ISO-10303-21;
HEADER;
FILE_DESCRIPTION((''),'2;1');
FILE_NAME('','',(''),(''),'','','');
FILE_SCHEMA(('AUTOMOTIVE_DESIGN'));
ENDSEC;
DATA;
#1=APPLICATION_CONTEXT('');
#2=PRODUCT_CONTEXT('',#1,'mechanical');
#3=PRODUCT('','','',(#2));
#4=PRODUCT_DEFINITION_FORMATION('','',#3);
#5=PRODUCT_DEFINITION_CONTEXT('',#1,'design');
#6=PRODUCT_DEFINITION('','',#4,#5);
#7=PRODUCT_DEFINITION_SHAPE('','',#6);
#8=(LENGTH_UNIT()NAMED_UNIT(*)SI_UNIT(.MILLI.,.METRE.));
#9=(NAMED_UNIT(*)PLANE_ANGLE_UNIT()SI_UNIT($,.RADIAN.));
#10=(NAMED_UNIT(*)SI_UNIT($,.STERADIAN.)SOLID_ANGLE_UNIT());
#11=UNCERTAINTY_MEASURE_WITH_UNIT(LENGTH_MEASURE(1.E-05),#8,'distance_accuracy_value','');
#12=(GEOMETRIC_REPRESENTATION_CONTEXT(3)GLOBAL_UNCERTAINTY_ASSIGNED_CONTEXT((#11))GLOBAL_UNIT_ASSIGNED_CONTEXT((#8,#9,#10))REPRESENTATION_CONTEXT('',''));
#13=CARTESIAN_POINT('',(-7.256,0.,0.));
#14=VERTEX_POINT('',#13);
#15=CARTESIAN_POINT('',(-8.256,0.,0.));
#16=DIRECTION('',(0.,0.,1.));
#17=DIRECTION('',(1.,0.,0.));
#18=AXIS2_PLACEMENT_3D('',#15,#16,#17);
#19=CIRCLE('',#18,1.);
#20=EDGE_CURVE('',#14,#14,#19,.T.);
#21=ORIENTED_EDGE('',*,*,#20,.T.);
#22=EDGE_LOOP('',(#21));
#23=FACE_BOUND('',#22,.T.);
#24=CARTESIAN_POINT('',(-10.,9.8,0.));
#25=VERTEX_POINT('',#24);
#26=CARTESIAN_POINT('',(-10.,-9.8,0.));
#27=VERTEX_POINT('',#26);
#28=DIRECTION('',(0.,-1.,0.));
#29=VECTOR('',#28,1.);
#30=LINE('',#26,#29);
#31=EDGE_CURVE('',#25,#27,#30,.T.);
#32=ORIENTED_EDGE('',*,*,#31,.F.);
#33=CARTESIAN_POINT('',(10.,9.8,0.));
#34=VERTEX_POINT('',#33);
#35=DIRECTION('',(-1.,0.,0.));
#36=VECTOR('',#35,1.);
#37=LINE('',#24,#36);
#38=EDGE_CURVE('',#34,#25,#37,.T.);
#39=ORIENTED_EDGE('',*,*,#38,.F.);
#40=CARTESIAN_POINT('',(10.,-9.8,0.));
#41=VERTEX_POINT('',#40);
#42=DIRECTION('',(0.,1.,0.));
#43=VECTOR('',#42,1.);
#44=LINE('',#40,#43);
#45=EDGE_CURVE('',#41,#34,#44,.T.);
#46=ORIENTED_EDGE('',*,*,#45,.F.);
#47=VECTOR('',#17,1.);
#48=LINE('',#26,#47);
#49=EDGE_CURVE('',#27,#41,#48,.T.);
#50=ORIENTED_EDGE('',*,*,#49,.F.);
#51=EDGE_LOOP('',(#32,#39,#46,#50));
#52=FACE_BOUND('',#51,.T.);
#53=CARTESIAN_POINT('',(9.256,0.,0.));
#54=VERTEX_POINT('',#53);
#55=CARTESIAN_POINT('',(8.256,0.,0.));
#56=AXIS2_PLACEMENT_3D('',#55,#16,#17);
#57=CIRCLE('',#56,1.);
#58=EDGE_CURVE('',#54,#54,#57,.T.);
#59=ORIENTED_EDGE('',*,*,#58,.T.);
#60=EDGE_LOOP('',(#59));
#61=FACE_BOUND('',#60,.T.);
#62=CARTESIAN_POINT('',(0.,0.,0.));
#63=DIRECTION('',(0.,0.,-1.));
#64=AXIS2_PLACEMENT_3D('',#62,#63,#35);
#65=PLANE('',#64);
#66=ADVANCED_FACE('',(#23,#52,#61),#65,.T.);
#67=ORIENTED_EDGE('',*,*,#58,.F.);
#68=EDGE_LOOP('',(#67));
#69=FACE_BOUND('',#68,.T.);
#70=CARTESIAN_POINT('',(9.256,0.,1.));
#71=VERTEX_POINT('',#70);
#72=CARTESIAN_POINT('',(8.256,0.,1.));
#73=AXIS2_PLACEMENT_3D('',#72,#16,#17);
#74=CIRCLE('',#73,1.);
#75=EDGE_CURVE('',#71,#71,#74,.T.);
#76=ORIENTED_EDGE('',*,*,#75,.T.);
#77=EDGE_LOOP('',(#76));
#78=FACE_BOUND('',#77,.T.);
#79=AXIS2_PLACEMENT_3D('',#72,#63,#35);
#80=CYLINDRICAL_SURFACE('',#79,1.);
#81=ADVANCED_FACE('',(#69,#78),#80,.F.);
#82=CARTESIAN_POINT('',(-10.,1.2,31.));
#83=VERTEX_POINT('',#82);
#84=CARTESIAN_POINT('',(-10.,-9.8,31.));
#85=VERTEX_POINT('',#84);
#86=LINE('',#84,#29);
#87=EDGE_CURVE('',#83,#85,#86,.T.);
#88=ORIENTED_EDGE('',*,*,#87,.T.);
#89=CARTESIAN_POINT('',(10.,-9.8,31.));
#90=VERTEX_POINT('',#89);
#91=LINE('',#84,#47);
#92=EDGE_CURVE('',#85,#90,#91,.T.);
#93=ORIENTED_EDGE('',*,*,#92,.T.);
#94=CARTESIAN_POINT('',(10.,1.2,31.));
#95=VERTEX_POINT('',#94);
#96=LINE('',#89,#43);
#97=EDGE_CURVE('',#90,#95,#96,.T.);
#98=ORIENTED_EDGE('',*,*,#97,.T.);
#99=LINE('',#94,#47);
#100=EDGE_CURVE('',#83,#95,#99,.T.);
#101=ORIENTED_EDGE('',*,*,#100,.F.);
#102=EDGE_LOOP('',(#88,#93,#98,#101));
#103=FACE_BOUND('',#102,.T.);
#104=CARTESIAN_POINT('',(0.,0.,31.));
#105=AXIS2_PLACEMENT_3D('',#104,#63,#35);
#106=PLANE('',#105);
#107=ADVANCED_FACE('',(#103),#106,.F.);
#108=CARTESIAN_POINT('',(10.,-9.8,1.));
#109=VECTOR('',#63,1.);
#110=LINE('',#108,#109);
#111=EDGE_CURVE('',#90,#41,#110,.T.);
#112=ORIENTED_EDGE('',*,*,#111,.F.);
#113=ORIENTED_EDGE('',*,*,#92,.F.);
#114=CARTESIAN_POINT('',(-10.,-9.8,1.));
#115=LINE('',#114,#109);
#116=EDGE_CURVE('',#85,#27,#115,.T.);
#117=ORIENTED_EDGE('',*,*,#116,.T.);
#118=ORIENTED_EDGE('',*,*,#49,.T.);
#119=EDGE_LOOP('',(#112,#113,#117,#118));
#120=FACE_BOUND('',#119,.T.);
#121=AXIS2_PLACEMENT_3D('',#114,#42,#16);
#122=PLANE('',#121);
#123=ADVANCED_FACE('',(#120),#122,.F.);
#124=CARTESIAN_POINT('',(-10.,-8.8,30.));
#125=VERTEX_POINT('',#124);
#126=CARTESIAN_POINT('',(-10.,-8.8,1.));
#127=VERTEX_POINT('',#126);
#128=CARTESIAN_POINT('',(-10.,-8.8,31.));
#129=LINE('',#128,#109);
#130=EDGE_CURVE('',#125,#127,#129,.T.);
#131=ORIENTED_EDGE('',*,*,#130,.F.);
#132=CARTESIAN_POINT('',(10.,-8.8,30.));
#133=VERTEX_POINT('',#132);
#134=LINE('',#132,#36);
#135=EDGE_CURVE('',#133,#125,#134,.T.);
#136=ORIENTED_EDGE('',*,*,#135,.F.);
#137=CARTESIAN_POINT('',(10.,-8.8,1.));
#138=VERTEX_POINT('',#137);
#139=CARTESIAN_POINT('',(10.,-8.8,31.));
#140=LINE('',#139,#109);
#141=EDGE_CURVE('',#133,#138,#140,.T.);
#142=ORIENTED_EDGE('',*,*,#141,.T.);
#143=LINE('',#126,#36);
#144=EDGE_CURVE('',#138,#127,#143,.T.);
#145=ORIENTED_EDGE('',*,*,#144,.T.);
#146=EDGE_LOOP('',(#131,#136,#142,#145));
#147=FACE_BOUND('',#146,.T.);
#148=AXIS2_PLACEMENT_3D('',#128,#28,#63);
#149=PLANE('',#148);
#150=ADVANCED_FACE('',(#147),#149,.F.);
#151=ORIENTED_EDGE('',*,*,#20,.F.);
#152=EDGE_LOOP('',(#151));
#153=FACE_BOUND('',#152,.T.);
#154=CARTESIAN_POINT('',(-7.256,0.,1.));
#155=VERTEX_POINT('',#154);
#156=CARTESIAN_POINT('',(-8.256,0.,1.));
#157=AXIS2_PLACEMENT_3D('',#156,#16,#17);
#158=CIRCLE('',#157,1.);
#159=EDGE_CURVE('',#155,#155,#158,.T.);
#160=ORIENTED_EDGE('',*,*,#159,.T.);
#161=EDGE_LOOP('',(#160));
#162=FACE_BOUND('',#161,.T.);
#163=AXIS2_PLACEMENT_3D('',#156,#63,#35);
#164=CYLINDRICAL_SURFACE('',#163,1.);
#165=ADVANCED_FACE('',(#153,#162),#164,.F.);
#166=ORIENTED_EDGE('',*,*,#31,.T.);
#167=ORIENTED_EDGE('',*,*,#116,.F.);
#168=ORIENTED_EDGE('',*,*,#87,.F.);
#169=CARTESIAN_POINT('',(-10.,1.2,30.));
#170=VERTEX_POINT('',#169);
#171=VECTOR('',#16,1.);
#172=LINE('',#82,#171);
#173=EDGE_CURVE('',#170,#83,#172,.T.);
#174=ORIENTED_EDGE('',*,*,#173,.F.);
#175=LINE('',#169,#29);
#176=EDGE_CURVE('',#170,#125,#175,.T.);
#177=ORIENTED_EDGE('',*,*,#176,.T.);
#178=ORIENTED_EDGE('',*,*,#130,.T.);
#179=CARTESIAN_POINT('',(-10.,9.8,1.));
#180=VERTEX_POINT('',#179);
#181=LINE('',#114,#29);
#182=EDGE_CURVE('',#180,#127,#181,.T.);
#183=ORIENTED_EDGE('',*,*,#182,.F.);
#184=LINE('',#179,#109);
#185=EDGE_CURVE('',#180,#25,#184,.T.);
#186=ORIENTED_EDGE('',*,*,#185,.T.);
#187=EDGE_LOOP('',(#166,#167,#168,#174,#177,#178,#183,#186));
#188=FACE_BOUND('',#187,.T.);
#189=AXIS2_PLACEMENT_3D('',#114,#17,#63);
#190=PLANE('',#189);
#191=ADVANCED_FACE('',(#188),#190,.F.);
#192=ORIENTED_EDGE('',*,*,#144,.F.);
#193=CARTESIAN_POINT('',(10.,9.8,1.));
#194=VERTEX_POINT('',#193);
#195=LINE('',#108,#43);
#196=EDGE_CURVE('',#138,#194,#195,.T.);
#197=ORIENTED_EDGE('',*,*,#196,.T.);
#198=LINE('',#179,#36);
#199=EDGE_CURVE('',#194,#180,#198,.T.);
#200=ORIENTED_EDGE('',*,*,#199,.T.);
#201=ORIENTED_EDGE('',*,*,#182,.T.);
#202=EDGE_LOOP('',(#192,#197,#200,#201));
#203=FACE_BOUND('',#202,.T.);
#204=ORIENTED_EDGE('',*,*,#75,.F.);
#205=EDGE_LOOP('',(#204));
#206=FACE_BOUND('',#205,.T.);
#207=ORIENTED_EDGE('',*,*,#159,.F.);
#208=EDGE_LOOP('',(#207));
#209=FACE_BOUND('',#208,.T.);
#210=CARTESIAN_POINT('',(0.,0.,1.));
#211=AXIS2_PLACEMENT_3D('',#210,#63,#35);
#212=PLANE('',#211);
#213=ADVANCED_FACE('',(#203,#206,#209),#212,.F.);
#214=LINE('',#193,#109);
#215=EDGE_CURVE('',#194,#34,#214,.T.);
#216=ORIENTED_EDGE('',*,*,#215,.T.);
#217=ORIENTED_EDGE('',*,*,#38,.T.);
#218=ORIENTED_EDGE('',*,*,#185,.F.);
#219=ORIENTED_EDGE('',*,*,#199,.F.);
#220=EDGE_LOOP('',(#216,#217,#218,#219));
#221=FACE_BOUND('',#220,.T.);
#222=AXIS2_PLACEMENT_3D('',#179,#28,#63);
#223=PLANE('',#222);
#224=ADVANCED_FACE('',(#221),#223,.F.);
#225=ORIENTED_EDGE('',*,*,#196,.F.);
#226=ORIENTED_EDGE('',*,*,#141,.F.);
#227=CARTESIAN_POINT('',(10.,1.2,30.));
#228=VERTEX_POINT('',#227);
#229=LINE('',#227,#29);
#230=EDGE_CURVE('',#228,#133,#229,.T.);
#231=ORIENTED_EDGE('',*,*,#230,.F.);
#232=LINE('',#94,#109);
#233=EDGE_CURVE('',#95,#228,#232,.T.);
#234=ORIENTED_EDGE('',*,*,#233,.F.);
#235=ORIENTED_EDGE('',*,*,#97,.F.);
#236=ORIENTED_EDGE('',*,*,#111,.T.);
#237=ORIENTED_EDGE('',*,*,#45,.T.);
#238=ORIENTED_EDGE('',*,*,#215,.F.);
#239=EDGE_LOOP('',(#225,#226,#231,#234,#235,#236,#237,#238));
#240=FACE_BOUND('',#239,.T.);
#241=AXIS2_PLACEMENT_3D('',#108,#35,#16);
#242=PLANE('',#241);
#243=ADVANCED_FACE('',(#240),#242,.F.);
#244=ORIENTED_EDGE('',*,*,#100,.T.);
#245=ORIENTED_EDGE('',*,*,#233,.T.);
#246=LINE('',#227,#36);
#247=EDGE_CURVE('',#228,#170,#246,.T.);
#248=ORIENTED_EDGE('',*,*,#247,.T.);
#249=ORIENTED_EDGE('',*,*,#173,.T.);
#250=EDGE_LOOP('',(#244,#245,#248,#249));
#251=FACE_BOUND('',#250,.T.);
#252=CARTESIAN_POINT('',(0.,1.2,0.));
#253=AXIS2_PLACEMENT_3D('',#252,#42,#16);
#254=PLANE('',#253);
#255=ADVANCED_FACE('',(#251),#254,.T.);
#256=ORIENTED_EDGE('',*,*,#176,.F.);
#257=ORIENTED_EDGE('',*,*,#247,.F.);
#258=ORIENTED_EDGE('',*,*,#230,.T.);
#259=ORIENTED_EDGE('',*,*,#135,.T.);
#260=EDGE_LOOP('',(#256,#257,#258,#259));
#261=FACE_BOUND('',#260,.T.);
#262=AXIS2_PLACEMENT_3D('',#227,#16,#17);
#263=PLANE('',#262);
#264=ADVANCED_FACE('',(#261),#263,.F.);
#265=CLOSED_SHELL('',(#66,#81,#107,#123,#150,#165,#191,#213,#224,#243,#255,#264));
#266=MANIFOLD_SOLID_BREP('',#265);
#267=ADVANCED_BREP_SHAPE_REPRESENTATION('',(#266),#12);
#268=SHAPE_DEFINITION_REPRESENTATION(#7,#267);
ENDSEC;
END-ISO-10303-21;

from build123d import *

# Parameters (mm, degrees)
SKETCH1_W           = 20
SKETCH1_H           = 19.6
SKETCH1_R           = 1
BOSS_EXTRUDE1_DEPTH = 1
SKETCH2_W           = 20
SKETCH2_H           = 1
BOSS_EXTRUDE2_DEPTH = 30
SKETCH3_W           = 20
SKETCH3_H           = 1
BOSS_EXTRUDE3_DEPTH = 10


with BuildPart() as part:
    # Sketch1 → Boss-Extrude1 (new body)
    with BuildSketch(Plane.XY):
        Rectangle(SKETCH1_W, SKETCH1_H)
        with Locations((-8.256, 0)):
            Circle(SKETCH1_R, mode=Mode.SUBTRACT)
        with Locations((8.256, 0)):
            Circle(SKETCH1_R, mode=Mode.SUBTRACT)
    extrude(amount=BOSS_EXTRUDE1_DEPTH)

    # Sketch2 → Boss-Extrude2 (add)
    with BuildSketch(Plane.XY.offset(1)):
        with Locations((0, -9.3)):
            Rectangle(SKETCH2_W, SKETCH2_H)
    extrude(amount=BOSS_EXTRUDE2_DEPTH)

    # Sketch3 → Boss-Extrude3 (add)
    with BuildSketch(Plane(origin=(0, -8.8, 0), x_dir=(1, 0, 0), z_dir=(0, 1, 0))):
        with Locations((0, -30.5)):
            Rectangle(SKETCH3_W, SKETCH3_H)
    extrude(amount=BOSS_EXTRUDE3_DEPTH)


solid = part.part
